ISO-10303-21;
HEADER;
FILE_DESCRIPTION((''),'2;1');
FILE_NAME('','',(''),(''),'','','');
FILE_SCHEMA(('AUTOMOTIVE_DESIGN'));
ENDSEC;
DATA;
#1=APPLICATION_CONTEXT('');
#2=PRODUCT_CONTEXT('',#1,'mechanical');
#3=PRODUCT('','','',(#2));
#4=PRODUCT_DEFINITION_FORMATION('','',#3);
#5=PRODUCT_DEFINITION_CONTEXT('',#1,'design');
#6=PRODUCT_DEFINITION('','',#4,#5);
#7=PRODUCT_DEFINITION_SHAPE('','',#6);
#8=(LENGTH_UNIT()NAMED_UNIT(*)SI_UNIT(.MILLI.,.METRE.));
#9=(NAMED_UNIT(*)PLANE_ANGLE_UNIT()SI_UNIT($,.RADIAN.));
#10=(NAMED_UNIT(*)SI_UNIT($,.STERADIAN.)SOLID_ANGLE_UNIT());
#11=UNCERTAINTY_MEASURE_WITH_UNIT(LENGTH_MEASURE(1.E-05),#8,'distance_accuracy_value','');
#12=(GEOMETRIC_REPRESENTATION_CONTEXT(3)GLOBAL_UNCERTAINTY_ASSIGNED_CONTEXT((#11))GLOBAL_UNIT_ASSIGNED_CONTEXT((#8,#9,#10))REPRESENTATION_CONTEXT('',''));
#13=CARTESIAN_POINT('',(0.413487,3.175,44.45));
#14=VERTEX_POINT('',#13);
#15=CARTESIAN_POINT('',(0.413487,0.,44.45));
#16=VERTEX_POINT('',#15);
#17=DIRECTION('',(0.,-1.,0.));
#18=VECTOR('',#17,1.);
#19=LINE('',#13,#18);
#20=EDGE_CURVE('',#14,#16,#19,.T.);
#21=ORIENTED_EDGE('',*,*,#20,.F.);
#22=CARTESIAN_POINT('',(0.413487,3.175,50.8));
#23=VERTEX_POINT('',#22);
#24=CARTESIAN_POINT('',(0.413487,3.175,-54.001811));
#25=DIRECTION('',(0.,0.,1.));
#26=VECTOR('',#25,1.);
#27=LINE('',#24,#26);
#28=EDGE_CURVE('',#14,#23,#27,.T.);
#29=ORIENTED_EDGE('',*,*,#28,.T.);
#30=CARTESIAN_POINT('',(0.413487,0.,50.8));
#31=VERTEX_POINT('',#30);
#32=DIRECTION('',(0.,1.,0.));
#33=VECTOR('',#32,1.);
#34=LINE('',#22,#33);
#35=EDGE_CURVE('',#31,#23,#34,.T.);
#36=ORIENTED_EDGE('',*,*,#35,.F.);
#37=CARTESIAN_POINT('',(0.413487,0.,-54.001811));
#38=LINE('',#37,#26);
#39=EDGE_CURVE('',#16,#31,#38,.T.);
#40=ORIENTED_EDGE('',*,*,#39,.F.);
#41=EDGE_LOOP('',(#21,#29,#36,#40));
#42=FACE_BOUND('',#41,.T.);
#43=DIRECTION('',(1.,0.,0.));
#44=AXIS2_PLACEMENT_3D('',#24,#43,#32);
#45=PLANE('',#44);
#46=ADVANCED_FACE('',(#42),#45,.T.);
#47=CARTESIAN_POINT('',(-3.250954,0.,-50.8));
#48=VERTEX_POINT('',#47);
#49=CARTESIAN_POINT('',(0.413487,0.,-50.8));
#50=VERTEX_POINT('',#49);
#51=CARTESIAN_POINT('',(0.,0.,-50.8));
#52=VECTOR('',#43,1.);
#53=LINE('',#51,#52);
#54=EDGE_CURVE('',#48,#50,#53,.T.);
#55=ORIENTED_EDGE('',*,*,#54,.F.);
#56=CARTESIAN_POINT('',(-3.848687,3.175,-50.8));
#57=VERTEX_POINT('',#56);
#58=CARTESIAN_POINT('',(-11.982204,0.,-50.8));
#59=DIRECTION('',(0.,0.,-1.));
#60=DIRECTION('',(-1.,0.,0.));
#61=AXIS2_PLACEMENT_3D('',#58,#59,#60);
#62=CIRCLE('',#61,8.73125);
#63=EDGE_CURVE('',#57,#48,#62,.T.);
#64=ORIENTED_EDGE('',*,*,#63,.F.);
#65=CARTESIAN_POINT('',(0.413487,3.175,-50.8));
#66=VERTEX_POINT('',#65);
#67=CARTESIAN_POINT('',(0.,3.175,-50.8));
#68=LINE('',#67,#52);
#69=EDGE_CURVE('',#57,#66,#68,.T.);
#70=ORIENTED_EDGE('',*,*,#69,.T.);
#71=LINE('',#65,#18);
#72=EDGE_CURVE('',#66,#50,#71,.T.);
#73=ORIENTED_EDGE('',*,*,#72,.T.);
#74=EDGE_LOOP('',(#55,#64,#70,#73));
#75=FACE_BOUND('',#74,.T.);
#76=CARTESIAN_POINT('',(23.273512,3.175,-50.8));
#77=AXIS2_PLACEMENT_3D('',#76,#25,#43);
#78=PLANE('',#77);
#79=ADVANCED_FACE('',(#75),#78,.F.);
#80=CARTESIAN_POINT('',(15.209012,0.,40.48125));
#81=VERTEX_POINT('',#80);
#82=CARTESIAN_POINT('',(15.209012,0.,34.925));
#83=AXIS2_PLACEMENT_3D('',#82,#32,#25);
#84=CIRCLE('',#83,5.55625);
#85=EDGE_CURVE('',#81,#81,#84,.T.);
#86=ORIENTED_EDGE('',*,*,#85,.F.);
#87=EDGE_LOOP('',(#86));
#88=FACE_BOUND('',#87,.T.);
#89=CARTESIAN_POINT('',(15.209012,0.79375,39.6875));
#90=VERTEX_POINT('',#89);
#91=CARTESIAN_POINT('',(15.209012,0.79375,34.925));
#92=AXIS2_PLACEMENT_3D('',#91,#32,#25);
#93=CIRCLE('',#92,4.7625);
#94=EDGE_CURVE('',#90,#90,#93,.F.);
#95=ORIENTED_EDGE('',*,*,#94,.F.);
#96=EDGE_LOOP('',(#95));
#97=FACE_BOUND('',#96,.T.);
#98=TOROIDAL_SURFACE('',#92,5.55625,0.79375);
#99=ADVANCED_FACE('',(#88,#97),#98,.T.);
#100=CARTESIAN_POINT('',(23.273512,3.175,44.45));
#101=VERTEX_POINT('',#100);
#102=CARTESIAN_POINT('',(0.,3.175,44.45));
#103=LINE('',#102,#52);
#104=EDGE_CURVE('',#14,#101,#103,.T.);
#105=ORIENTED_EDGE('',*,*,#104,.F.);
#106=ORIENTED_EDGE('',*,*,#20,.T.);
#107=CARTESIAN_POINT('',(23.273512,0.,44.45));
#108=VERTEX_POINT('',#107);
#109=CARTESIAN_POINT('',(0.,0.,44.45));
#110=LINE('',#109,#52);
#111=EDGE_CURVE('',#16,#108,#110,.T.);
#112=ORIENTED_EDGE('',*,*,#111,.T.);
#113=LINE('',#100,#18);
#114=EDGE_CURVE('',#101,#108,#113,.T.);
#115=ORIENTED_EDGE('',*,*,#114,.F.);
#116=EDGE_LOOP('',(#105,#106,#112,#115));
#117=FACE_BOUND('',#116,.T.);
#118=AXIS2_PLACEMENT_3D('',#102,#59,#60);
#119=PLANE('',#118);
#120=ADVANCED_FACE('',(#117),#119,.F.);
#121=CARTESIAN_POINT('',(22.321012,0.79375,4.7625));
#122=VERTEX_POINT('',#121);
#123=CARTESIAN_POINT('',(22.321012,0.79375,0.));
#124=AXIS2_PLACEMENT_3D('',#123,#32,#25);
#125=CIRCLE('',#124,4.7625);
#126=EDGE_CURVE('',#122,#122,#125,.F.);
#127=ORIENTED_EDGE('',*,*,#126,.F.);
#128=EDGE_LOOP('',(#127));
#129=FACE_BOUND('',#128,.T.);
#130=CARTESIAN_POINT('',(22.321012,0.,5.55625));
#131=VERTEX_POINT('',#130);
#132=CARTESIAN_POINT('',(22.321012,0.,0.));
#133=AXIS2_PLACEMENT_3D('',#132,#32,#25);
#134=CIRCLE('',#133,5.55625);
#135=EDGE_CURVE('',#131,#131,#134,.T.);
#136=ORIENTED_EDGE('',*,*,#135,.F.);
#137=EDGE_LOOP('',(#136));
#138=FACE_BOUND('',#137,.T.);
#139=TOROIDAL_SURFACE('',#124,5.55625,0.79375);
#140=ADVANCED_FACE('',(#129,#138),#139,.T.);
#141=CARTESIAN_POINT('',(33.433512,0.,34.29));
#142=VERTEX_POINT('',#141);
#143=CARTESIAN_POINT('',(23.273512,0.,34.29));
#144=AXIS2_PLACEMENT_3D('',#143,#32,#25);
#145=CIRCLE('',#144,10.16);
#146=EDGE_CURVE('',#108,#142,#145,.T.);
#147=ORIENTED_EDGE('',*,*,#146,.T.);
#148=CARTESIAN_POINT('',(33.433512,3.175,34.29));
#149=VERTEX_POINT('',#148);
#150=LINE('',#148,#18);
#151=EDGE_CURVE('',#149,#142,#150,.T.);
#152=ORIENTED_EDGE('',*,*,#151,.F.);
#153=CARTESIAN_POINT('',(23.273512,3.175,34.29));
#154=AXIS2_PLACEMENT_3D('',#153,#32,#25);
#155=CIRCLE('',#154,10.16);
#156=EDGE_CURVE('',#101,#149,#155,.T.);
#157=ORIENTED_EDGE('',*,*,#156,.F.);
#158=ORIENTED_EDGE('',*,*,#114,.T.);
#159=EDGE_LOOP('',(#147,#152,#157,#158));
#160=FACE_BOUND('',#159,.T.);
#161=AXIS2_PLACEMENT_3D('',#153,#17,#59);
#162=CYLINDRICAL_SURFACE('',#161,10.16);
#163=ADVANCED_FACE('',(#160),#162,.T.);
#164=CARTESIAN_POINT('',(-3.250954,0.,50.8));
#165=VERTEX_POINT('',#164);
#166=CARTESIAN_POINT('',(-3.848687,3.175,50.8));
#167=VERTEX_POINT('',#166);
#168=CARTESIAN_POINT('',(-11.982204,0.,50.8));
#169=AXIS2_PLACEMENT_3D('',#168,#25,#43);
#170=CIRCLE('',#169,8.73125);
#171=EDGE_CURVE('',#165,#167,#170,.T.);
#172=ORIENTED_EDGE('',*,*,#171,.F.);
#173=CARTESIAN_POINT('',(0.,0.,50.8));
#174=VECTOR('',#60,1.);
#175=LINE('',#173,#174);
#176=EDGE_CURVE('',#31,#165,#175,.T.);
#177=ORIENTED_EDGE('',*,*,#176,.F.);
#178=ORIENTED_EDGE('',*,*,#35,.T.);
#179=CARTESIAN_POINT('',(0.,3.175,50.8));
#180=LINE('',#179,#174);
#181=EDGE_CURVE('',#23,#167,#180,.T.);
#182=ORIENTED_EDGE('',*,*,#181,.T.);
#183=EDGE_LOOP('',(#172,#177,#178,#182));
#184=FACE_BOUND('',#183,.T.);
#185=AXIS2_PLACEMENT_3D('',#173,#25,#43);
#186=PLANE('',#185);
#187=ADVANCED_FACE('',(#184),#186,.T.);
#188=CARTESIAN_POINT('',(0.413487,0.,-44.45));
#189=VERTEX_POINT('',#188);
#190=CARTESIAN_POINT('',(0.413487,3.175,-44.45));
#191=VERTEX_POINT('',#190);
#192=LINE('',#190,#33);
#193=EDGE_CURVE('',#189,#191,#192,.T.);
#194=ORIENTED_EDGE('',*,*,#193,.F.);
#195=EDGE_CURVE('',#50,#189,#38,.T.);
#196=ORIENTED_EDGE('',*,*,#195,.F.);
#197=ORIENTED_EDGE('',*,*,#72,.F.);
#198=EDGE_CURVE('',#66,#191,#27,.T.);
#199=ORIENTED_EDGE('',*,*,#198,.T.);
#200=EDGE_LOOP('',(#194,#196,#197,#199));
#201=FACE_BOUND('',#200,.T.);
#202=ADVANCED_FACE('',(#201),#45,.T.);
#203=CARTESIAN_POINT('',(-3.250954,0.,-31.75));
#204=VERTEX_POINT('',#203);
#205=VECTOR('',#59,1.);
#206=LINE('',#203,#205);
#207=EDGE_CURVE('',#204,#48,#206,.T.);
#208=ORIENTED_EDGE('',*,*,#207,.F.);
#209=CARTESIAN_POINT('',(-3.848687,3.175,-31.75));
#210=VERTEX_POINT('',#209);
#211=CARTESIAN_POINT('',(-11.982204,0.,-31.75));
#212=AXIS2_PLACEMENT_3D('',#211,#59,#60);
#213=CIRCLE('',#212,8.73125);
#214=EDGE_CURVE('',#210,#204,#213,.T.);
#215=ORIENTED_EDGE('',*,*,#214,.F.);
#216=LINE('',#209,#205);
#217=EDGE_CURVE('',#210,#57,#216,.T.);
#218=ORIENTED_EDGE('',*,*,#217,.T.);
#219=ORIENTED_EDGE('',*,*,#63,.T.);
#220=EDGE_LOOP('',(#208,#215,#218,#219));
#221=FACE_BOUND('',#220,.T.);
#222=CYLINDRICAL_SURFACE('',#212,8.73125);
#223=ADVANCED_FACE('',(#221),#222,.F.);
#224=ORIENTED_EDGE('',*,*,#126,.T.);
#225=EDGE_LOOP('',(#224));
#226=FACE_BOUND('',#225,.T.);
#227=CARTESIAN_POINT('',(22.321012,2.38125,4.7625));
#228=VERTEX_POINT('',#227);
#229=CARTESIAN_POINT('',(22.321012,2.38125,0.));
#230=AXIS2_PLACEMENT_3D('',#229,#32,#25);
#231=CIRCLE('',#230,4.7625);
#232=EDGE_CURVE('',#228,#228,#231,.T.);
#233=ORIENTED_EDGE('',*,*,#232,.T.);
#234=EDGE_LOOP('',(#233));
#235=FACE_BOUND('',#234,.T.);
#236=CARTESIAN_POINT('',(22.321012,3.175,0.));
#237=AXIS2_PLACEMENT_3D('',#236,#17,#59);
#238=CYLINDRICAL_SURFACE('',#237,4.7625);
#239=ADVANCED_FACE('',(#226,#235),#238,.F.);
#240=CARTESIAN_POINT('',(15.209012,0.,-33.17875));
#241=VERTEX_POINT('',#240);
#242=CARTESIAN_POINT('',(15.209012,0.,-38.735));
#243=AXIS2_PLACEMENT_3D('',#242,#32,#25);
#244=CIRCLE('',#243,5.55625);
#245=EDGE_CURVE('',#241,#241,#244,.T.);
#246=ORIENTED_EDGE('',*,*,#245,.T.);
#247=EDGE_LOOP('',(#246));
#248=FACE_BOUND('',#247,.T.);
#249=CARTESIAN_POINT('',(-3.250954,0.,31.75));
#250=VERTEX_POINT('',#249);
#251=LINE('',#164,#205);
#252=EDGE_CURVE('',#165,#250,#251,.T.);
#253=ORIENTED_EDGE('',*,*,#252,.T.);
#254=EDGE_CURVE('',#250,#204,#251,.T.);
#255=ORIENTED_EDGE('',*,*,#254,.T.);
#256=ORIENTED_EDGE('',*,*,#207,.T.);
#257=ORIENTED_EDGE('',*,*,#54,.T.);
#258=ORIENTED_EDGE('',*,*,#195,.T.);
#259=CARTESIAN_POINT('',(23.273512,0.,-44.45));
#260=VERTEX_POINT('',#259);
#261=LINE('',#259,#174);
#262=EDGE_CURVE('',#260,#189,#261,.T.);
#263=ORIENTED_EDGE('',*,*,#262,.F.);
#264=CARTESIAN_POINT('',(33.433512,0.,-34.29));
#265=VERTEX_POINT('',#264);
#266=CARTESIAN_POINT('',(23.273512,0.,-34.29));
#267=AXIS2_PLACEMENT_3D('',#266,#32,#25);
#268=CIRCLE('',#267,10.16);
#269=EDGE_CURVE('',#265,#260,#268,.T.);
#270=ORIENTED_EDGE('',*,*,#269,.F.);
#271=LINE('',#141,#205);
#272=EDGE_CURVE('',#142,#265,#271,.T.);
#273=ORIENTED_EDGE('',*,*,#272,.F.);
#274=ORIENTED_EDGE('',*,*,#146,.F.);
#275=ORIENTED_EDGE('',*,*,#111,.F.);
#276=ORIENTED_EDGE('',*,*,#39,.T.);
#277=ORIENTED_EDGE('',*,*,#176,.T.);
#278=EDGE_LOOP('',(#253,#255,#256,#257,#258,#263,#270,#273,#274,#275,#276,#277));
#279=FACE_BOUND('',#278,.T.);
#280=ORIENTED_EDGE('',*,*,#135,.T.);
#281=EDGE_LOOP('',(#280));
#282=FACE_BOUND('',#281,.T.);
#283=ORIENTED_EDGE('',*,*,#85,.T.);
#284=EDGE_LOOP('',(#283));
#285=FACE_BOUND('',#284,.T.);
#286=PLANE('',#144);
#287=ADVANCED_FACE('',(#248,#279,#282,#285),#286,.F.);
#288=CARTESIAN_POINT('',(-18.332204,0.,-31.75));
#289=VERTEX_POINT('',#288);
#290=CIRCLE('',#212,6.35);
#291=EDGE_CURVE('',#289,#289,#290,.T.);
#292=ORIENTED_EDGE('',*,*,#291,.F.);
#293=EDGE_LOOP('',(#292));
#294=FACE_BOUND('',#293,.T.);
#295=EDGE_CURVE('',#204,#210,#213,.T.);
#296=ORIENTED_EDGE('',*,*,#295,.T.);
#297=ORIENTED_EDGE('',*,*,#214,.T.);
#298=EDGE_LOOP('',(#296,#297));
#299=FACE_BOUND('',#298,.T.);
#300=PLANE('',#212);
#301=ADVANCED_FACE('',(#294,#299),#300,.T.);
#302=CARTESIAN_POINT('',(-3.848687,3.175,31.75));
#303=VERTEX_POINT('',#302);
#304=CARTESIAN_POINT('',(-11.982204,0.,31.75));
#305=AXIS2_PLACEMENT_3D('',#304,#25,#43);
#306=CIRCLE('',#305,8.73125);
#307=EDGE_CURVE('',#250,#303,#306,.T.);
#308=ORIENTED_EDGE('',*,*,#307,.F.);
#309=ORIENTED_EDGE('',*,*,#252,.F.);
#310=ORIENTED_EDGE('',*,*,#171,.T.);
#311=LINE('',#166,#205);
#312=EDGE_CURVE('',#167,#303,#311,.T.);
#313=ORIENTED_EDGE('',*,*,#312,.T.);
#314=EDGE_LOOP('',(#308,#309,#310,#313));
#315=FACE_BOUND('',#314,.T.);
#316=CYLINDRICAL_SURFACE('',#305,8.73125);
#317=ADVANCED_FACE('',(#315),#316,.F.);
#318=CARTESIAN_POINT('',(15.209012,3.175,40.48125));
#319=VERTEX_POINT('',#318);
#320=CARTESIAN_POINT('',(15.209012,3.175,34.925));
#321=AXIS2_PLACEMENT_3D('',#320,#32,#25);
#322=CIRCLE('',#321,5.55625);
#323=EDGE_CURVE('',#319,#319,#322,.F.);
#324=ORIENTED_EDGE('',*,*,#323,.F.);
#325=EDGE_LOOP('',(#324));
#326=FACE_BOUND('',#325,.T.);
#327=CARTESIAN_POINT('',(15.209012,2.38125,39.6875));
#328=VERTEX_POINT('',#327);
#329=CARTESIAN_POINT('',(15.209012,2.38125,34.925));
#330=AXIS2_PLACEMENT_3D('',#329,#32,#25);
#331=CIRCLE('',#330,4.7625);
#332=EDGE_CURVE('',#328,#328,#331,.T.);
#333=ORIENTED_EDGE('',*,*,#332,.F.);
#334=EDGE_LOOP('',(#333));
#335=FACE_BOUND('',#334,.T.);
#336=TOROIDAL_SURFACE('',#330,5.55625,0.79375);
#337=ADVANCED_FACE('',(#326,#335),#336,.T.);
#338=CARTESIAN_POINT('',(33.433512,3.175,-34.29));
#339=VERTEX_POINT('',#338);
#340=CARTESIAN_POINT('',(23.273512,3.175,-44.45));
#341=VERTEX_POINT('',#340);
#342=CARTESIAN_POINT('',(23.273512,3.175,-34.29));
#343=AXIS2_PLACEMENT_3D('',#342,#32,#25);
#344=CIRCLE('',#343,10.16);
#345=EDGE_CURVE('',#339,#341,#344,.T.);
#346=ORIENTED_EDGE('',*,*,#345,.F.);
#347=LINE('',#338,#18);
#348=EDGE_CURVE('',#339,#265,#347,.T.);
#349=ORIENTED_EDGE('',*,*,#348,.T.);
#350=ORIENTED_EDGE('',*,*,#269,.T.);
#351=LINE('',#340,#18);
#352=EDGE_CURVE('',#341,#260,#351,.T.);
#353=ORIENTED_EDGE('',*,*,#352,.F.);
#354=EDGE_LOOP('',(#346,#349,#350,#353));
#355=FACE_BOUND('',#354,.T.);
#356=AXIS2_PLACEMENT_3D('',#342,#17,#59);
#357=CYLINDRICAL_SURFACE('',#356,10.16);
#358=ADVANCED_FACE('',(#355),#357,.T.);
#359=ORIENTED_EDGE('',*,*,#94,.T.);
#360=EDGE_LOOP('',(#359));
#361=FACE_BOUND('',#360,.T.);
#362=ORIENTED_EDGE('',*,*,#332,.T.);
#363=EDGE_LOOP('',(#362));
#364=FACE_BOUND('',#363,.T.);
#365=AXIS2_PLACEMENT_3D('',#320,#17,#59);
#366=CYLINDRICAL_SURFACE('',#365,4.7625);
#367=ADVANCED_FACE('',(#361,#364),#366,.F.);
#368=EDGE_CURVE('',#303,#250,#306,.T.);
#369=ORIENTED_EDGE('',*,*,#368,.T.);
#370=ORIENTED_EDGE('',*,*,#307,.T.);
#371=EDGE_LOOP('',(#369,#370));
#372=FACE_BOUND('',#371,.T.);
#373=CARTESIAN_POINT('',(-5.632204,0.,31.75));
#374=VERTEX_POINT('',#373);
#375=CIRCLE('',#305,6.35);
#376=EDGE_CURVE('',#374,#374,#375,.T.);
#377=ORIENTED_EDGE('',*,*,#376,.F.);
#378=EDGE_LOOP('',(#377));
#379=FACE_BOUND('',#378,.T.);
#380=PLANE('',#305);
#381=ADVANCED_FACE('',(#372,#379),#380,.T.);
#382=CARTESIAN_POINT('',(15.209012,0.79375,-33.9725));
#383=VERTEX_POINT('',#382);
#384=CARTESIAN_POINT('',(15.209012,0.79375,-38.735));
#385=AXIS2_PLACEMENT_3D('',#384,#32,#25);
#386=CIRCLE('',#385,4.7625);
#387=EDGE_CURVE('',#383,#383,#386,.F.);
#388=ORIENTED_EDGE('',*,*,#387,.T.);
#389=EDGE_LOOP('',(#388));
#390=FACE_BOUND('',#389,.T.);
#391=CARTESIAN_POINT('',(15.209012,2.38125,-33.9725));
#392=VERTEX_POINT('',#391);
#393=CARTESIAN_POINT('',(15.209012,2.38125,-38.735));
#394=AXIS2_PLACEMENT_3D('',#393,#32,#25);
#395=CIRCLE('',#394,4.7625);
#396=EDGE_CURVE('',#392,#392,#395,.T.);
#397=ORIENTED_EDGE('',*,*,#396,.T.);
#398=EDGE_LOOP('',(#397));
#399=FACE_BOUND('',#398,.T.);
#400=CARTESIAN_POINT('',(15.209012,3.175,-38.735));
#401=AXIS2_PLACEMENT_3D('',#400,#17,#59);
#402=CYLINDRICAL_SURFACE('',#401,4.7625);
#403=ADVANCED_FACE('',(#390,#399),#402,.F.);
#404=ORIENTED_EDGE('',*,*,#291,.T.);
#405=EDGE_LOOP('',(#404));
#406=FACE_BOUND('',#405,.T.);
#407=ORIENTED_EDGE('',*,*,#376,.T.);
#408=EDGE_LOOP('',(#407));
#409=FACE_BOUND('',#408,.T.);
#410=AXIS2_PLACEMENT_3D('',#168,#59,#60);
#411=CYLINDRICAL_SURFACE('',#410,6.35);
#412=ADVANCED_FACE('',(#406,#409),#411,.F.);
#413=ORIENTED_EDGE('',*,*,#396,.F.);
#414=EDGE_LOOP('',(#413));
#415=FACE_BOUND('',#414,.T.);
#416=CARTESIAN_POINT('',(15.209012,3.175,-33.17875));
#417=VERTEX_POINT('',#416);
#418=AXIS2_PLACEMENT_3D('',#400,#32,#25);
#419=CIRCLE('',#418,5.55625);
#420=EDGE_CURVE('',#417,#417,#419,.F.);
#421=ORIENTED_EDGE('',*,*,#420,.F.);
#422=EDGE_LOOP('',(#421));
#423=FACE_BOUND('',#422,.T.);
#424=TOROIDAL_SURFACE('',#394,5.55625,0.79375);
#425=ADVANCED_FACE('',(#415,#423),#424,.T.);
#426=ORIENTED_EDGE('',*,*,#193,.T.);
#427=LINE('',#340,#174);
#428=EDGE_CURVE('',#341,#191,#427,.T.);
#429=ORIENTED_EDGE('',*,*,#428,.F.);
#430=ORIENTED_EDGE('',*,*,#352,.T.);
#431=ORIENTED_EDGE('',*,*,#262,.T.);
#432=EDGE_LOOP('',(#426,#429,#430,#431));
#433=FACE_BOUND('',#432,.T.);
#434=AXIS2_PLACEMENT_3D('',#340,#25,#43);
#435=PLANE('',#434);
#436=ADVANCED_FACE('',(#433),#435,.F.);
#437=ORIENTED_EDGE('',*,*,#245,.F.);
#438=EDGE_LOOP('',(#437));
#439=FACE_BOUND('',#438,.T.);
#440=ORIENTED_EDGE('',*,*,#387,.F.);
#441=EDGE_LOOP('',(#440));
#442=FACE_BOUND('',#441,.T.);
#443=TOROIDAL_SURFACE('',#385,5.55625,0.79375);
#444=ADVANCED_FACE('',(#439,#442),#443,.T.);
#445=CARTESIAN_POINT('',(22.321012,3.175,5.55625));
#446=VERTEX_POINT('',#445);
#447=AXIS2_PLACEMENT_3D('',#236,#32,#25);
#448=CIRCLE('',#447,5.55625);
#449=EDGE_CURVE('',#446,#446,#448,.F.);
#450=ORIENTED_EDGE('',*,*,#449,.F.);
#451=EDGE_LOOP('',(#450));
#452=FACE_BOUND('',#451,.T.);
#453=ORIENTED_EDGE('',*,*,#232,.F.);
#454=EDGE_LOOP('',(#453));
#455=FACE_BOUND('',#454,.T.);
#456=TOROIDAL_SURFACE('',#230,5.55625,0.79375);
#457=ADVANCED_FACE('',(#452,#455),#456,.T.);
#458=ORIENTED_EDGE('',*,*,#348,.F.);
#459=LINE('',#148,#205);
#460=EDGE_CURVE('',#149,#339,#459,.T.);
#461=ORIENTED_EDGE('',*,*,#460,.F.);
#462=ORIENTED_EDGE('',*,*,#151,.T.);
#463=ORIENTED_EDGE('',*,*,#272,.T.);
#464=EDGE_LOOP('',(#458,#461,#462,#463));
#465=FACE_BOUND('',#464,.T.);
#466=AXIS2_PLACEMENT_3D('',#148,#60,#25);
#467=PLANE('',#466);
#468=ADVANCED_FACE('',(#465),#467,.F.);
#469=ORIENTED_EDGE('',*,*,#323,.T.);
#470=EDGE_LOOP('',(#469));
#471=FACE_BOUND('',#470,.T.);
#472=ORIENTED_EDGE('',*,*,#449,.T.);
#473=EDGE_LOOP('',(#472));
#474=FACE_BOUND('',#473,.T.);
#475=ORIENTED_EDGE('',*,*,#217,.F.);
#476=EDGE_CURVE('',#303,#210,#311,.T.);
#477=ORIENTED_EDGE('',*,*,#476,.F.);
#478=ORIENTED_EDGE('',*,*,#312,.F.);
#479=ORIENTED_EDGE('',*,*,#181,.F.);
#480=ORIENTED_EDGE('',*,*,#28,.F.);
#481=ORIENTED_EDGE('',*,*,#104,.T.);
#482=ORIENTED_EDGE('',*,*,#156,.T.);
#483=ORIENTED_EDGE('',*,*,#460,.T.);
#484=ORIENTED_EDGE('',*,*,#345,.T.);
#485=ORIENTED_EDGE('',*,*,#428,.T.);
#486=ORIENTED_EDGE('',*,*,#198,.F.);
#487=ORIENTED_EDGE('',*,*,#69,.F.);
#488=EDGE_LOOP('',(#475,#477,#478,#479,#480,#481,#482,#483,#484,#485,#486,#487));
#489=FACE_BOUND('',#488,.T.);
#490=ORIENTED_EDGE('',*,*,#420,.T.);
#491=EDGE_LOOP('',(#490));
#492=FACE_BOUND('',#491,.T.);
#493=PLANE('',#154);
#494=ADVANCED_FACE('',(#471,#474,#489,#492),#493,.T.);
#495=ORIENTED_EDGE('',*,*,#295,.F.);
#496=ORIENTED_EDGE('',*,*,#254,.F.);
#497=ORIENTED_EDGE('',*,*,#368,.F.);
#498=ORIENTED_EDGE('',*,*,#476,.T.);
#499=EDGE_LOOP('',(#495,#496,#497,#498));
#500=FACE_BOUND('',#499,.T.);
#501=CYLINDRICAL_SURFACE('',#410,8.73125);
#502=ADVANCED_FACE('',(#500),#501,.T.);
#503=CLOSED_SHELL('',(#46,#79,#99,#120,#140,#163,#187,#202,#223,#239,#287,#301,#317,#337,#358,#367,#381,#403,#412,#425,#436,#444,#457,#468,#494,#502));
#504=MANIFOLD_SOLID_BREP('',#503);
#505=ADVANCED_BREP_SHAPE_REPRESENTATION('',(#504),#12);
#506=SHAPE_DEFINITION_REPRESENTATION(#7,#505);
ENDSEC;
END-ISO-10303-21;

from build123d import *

# Parameters (mm, degrees)
SKETCH1_R                = 4.7625
BOSS_EXTRUDE1_DEPTH      = 3.175
SKETCH2_R                = 6.35
BOSS_EXTRUDE2_DEPTH      = 6.35
BOSS_EXTRUDE2_DEPTH_BACK = 95.25
SKETCH4_R                = 8.73125
CUT_EXTRUDE3_DEPTH       = 19.05
SKETCH5_R                = 8.73125
CUT_EXTRUDE4_DEPTH       = 19.05
FILLET1_R                = 0.79375
SKETCH6_W                = 0.4134866
SKETCH6_H                = 3.175
BOSS_EXTRUDE3_DEPTH      = 101.6


with BuildPart() as part:
    # Sketch1 → Boss-Extrude1 (new body)
    with BuildSketch(Plane(origin=(0, 0, 0), x_dir=(1, 0, 0), z_dir=(0, 1, 0))):
        with BuildLine():
            Line((0, 44.45), (0, -44.45))
            Line((0, -44.45), (23.273512, -44.45))
            ThreePointArc((23.273512, -44.45), (30.457716897, -41.474204897), (33.433512, -34.29))
            Line((33.433512, -34.29), (33.433512, 34.29))
            ThreePointArc((33.433512, 34.29), (30.457716897, 41.474204897), (23.273512, 44.45))
            Line((23.273512, 44.45), (0, 44.45))
        make_face()
        with Locations((15.209012, 38.735)):
            Circle(SKETCH1_R, mode=Mode.SUBTRACT)
        with Locations((15.209012, -34.925)):
            Circle(SKETCH1_R, mode=Mode.SUBTRACT)
        with Locations((22.321012, 0)):
            Circle(SKETCH1_R, mode=Mode.SUBTRACT)
    extrude(amount=BOSS_EXTRUDE1_DEPTH)

    # Sketch2 → Boss-Extrude2 (add, two sides)
    with BuildSketch(Plane.XY.offset(44.45)) as boss_extrude2_sk:
        with BuildLine():
            Line((0, 0), (-3.250954467, 0))
            ThreePointArc((-3.250954467, 0), (-20.562720138, -1.615387688), (-3.848687297, 3.175))
            Line((-3.848687297, 3.175), (0, 3.175))
            Line((0, 3.175), (0, 0))
        make_face()
        with Locations((-11.982204467, 0)):
            Circle(SKETCH2_R, mode=Mode.SUBTRACT)
    extrude(amount=BOSS_EXTRUDE2_DEPTH)
    extrude(boss_extrude2_sk.sketch, amount=-BOSS_EXTRUDE2_DEPTH_BACK)

    # Sketch4 → Cut-Extrude3 (cut)
    with BuildSketch(Plane.XY.offset(50.8)):
        with Locations((-11.982204467, 0)):
            Circle(SKETCH4_R)
    extrude(amount=-CUT_EXTRUDE3_DEPTH, mode=Mode.SUBTRACT)

    # Sketch5 → Cut-Extrude4 (cut)
    with BuildSketch(Plane(origin=(0, 0, -50.8), x_dir=(-1, 0, 0), z_dir=(0, 0, -1))):
        with Locations((11.982204467, 0)):
            Circle(SKETCH5_R)
    extrude(amount=-CUT_EXTRUDE4_DEPTH, mode=Mode.SUBTRACT)

    # Fillet1
    fillet1_edges = [part.edges().sort_by_distance(p)[0] for p in [
        (10.446512, 0, -38.735),
        (10.446512, 3.175, -38.735),
        (10.446512, 0, 34.925),
        (10.446512, 3.175, 34.925),
        (17.558512, 0, 0),
        (17.558512, 3.175, 0),
    ]]
    fillet(fillet1_edges, radius=FILLET1_R)

    # Sketch6 → Boss-Extrude3 (add)
    with BuildSketch(Plane.XY.offset(50.8)):
        with Locations((0.2067433, 1.5875)):
            Rectangle(SKETCH6_W, SKETCH6_H)
    extrude(amount=-BOSS_EXTRUDE3_DEPTH)


solid = part.part
